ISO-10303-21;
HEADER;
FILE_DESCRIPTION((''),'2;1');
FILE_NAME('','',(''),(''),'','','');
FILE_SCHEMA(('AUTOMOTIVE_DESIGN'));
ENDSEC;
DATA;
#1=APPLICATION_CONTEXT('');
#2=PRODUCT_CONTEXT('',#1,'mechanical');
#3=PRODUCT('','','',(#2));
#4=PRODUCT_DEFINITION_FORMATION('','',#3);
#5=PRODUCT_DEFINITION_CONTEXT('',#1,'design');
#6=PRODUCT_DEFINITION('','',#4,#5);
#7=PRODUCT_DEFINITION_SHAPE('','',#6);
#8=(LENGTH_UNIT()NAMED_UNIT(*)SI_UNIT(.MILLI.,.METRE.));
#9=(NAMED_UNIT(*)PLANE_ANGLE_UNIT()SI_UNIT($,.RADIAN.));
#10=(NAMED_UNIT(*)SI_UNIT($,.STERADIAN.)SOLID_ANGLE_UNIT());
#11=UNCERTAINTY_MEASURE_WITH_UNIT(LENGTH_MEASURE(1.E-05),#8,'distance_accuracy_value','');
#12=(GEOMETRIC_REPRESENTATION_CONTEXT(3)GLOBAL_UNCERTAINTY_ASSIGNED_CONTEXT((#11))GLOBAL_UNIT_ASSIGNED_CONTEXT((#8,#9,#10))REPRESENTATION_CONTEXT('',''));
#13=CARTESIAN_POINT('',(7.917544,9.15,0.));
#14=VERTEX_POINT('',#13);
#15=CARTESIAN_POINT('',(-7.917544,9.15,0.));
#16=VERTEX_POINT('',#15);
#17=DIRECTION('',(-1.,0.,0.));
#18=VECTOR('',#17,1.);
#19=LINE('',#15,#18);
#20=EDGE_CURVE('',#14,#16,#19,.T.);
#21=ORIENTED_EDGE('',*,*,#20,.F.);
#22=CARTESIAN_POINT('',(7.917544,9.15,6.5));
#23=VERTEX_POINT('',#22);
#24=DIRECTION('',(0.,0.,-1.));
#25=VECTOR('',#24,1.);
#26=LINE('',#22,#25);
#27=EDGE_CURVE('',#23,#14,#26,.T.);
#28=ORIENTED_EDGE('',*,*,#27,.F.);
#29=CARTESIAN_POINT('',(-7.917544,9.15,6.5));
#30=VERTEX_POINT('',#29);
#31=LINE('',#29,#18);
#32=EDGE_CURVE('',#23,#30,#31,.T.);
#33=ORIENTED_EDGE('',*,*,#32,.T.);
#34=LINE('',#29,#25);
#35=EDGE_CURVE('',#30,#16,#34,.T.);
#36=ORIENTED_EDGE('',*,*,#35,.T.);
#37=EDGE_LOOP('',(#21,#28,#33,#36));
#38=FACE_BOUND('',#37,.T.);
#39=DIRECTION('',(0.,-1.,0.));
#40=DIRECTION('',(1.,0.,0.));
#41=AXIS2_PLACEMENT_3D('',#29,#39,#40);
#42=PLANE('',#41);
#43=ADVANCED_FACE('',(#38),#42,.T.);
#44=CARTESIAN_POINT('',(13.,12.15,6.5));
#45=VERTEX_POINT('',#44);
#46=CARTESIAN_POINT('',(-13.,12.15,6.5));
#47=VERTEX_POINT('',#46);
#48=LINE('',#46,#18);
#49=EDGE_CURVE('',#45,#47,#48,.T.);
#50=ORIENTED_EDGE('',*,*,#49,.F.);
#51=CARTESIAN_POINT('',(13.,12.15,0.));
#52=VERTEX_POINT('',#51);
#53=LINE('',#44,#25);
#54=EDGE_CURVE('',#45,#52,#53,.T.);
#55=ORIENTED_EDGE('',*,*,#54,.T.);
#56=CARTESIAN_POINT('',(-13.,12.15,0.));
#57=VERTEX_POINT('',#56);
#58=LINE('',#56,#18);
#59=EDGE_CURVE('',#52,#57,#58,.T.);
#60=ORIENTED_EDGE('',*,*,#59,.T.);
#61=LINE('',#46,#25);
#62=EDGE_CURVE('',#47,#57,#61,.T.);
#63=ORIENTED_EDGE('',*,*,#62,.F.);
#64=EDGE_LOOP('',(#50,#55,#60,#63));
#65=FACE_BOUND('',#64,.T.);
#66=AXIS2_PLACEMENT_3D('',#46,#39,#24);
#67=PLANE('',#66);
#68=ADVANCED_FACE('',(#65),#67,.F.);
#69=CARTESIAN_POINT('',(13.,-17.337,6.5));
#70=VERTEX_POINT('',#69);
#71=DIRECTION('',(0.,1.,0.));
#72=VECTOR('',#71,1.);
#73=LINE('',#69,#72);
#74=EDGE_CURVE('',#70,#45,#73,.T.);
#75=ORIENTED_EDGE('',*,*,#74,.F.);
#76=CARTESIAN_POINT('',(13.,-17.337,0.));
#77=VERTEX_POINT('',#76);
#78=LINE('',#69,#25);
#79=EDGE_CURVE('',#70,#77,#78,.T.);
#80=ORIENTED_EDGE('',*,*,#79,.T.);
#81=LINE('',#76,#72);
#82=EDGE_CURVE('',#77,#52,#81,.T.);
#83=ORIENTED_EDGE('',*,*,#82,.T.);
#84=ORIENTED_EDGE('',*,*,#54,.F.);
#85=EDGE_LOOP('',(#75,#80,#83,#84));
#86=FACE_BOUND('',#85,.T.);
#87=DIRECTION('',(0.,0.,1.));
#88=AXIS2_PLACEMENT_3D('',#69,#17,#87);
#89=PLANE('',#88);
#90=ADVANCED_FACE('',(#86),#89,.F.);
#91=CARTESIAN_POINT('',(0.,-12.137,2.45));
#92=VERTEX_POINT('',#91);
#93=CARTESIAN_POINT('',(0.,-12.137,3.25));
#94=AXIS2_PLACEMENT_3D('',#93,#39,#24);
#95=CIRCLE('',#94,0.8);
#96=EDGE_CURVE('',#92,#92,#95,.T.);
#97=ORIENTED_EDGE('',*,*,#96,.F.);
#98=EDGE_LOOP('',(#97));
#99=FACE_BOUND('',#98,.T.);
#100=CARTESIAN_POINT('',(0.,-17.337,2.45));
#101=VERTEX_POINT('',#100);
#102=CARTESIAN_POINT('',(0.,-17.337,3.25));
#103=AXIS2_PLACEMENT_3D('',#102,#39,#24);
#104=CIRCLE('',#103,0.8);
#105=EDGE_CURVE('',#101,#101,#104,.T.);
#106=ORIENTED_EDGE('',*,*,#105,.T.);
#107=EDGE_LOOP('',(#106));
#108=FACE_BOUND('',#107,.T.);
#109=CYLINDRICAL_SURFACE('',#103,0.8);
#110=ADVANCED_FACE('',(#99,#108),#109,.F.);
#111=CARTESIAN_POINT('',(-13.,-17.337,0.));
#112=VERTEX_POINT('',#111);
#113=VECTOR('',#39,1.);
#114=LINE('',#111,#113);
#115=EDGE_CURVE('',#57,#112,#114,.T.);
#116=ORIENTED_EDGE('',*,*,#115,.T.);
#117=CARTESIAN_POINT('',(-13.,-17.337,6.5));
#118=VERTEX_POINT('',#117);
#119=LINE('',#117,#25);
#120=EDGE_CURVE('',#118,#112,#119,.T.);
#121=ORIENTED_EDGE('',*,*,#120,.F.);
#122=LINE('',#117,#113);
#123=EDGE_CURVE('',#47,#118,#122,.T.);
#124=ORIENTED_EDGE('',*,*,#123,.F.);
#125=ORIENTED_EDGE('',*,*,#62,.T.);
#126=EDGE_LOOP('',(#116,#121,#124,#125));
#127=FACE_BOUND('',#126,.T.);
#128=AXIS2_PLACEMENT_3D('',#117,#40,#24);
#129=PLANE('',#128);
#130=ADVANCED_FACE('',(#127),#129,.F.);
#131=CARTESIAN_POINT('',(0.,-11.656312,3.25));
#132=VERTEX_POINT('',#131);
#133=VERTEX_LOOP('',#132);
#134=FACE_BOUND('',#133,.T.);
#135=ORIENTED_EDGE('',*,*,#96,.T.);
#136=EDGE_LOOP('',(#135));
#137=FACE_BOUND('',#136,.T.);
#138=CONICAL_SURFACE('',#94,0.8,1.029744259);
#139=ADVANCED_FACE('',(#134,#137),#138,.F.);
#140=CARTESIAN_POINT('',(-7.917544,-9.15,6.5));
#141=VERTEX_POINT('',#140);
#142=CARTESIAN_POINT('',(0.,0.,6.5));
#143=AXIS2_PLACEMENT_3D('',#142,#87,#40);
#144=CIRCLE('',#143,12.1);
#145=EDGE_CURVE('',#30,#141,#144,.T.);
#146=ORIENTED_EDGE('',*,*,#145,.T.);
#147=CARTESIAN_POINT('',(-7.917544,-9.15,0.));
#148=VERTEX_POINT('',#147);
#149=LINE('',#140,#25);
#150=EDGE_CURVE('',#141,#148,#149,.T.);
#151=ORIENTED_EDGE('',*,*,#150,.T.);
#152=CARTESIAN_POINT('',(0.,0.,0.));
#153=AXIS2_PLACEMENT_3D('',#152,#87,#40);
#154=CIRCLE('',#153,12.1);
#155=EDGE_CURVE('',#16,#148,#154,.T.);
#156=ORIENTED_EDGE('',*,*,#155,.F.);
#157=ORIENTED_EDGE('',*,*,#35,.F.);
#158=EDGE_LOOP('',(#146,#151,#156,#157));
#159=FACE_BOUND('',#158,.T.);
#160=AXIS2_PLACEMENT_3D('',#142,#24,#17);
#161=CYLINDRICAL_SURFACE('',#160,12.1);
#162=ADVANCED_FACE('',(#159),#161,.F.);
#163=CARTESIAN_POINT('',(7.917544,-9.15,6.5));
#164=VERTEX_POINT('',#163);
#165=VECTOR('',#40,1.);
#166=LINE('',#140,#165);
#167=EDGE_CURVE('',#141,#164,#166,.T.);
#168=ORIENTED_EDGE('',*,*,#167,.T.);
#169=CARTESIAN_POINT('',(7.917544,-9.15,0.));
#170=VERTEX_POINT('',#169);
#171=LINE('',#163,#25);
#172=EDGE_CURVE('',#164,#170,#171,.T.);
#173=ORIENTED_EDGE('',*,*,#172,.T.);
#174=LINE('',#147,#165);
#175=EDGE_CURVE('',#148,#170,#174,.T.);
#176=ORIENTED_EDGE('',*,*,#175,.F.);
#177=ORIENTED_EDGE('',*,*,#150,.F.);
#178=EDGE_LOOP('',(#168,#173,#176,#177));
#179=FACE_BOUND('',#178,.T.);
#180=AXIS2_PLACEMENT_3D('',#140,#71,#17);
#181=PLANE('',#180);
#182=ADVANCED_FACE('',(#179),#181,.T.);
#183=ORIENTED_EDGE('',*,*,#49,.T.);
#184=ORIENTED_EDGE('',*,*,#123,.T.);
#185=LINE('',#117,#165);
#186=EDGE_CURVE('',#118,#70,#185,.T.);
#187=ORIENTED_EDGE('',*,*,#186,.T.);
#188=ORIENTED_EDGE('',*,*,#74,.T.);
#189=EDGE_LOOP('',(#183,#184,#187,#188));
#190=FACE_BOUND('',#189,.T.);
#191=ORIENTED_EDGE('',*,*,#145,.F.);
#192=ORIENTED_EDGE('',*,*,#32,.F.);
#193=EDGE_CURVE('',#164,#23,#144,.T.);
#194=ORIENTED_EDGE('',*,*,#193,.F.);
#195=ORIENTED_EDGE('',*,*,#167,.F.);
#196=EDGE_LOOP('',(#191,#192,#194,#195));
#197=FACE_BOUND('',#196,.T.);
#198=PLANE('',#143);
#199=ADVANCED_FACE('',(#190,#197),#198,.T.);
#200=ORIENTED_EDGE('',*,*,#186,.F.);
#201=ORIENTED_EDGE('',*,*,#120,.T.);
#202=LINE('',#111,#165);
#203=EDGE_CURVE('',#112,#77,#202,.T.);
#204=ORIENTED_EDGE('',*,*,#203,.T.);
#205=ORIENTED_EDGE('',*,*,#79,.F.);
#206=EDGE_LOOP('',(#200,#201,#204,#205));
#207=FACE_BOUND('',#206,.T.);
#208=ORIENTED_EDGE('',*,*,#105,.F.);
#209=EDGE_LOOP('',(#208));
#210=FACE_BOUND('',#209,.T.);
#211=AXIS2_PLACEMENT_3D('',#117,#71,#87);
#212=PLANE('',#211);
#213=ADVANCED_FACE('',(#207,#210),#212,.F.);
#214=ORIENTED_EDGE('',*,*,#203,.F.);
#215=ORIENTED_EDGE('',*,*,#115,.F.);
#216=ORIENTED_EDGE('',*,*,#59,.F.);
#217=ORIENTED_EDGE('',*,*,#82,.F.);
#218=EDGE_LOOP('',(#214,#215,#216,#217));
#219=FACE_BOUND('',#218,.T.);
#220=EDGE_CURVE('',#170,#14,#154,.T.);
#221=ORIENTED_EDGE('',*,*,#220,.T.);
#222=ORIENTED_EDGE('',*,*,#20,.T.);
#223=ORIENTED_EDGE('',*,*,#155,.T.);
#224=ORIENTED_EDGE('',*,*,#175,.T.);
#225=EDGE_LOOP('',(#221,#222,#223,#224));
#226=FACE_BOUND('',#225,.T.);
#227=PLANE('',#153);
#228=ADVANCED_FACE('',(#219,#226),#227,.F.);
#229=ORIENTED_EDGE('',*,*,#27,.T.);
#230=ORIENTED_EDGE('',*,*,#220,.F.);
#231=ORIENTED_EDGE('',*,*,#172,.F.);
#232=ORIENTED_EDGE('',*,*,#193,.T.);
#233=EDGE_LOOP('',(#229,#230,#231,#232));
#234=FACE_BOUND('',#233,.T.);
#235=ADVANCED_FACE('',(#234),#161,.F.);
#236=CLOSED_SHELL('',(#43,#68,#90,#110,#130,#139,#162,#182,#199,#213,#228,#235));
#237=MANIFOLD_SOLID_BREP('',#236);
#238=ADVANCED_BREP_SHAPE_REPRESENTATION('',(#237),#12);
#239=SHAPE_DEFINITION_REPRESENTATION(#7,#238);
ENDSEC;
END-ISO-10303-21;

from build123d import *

# Parameters (mm, degrees)
SKETCH2_W                 = 29.487
SKETCH2_H                 = 26
BOSS_EXTRUDE1_DEPTH       = 6.5
CUT_EXTRUDE1_DEPTH        = 23.623473849
M2X0_4_TAPPED_HOLE1_D     = 1.6
M2X0_4_TAPPED_HOLE1_DEPTH = 5.2
M2X0_4_TAPPED_HOLE1_TIP   = 0.480688495


with BuildPart() as part:
    # Sketch2 → Boss-Extrude1 (new body)
    with BuildSketch(Plane(origin=(0, 0, 0), x_dir=(0, 1, 0), z_dir=(0, 0, 1))):
        with Locations((-2.5935, 0)):
            Rectangle(SKETCH2_W, SKETCH2_H)
    extrude(amount=BOSS_EXTRUDE1_DEPTH)

    # Sketch1 → Cut-Extrude1 (cut, through all)
    with BuildSketch(Plane(origin=(0, 0, 0), x_dir=(0, 1, 0), z_dir=(0, 0, 1))):
        with BuildLine():
            Line((-9.15, 7.917543811), (-9.15, -7.917543811))
            ThreePointArc((-9.15, -7.917543811), (0, -12.1), (9.15, -7.917543811))
            Line((9.15, -7.917543811), (9.15, 7.917543811))
            ThreePointArc((9.15, 7.917543811), (0, 12.1), (-9.15, 7.917543811))
        make_face()
    extrude(amount=CUT_EXTRUDE1_DEPTH, mode=Mode.SUBTRACT)

    # M2x0.4 Tapped Hole1
    with Locations(Plane.XZ.offset(17.337)):
        with Locations((0, 3.25)):
            Hole(M2X0_4_TAPPED_HOLE1_D / 2, depth=M2X0_4_TAPPED_HOLE1_DEPTH)
            with Locations((0, 0, -(M2X0_4_TAPPED_HOLE1_DEPTH + M2X0_4_TAPPED_HOLE1_TIP / 2))):  # 118° drill point
                Cone(0, M2X0_4_TAPPED_HOLE1_D / 2, M2X0_4_TAPPED_HOLE1_TIP, mode=Mode.SUBTRACT)


solid = part.part
